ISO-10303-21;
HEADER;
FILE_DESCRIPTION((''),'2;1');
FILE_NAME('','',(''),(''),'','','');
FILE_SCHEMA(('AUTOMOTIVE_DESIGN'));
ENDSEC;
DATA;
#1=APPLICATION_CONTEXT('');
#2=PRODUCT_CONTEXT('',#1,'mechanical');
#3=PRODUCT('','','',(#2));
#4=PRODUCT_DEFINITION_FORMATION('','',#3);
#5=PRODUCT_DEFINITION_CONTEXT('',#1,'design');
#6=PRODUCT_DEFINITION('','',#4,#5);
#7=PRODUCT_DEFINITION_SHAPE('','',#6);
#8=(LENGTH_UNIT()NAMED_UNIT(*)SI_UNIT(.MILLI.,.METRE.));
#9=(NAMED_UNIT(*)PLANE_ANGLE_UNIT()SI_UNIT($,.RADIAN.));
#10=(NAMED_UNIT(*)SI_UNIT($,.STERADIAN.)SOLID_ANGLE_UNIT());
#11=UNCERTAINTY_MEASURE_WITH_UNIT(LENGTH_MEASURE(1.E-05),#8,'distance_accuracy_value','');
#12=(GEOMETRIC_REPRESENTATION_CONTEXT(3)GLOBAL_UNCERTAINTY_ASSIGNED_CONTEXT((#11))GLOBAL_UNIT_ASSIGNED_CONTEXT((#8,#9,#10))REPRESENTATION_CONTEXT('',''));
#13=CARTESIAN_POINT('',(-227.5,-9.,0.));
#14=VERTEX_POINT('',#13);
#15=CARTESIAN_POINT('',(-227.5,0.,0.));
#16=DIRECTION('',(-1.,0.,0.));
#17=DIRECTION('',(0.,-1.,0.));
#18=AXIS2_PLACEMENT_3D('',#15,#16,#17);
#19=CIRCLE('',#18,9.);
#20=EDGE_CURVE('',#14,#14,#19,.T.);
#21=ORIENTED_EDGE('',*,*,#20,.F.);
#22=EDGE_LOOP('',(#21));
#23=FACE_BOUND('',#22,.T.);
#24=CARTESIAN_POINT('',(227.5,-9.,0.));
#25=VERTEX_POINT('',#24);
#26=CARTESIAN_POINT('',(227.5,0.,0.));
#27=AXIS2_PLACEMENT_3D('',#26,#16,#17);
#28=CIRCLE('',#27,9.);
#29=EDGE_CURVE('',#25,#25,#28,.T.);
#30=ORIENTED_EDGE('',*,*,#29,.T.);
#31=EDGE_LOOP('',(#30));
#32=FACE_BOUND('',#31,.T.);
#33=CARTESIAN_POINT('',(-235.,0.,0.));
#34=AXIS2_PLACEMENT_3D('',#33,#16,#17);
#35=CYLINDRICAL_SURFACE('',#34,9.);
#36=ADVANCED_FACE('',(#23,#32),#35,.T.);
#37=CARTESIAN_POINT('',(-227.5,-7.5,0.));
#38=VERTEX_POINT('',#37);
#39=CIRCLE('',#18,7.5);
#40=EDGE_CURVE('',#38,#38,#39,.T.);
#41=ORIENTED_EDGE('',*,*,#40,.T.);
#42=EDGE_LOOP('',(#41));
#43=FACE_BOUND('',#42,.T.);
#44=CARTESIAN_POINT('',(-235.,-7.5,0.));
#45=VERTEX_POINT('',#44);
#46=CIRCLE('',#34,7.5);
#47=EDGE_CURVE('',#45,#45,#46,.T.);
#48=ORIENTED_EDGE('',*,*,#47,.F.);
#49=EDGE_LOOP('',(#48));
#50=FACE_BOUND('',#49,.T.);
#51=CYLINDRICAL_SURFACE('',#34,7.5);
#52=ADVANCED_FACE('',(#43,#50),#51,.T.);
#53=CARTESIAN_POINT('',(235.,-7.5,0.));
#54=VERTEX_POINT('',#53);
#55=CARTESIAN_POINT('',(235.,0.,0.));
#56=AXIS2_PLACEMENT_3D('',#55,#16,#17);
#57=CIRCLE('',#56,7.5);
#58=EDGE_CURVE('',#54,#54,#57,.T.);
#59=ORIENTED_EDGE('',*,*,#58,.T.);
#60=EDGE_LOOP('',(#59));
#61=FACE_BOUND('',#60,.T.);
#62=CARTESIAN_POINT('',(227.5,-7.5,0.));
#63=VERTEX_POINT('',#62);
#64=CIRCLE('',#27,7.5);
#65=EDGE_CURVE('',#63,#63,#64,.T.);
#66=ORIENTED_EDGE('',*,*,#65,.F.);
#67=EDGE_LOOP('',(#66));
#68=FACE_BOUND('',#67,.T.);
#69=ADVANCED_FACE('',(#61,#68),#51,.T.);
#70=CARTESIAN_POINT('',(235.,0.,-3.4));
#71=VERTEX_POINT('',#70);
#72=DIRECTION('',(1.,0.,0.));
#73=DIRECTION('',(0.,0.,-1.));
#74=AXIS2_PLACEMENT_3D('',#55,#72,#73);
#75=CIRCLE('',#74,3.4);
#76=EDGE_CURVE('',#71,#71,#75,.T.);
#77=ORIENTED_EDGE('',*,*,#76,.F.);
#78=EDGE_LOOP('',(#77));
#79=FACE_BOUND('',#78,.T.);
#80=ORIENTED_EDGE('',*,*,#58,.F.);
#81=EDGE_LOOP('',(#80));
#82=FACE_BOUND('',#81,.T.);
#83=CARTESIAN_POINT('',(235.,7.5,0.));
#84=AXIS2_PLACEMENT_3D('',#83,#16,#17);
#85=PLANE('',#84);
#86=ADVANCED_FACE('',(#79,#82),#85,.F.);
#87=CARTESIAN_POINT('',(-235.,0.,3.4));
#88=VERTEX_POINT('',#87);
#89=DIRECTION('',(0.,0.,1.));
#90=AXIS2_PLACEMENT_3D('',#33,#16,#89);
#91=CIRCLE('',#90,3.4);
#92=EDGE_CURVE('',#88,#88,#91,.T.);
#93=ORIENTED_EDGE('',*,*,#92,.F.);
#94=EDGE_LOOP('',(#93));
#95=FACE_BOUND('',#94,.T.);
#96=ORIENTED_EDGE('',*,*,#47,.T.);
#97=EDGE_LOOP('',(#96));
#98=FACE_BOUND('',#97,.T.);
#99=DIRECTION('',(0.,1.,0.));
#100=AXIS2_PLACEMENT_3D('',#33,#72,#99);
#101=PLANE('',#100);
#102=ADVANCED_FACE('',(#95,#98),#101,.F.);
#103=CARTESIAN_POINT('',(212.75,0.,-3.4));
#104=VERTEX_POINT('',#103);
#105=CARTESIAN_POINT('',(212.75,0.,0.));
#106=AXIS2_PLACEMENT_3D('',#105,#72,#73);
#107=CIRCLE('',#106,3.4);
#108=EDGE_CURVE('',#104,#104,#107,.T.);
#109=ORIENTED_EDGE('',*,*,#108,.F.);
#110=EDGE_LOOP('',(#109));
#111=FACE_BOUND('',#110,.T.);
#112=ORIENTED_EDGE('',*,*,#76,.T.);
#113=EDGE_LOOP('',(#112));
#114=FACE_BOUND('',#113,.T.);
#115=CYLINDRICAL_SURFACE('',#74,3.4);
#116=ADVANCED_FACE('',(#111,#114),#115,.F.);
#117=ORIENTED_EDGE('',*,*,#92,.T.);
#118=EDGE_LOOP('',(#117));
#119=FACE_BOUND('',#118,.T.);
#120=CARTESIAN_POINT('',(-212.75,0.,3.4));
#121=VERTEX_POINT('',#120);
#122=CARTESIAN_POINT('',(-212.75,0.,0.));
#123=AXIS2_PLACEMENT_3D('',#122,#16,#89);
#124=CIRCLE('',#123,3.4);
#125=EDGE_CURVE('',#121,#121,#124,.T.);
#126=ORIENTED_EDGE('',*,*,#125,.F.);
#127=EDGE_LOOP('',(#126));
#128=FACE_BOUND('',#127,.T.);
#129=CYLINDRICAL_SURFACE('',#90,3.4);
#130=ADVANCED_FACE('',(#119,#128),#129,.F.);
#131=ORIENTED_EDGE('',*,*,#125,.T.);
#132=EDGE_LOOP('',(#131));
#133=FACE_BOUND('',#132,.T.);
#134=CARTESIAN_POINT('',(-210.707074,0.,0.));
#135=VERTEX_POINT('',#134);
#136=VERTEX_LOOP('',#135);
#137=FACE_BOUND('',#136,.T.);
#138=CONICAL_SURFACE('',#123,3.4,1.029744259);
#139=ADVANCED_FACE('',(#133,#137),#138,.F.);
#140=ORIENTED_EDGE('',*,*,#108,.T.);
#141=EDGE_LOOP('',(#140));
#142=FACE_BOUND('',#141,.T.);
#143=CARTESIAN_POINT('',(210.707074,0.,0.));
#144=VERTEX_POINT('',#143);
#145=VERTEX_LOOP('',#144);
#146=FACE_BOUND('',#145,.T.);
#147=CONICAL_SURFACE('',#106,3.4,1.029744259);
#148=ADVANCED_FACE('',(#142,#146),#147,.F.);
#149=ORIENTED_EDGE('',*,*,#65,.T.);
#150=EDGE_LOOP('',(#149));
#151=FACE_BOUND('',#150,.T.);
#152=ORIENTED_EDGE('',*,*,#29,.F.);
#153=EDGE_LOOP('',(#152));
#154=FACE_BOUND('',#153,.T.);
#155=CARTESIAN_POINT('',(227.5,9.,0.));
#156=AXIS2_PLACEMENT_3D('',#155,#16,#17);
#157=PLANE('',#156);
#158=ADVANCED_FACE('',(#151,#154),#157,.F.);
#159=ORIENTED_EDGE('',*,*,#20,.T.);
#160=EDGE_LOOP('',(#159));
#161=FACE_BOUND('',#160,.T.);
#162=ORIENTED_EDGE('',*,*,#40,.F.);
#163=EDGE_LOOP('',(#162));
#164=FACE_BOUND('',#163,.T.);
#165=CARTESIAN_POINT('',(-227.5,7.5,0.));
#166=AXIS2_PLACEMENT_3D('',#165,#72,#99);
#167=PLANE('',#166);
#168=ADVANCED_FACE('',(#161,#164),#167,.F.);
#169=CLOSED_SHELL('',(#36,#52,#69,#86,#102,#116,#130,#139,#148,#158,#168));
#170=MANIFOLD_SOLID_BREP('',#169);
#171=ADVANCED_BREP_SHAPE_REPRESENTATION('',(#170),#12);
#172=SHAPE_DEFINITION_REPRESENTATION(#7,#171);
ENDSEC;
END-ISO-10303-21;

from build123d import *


with BuildPart() as part:
    # Çizim1 → Döndür2 (revolve)
    with BuildSketch(Plane.XY, mode=Mode.PRIVATE) as d_nd_r2_sk:
        Polygon((-235, 0), (235, 0), (235, 7.5), (227.5, 7.5), (227.5, 9), (-227.5, 9), (-227.5, 7.5), (-235, 7.5), align=None)
    revolve(d_nd_r2_sk.sketch.rotate(Axis((-235, 0, 0), (1, 0, 0)), 180), axis=Axis((-235, 0, 0), (1, 0, 0)))

    # Çizim4 → M8 Dişli Delik3 (revolve, cut)
    with BuildSketch(Plane(origin=(-235, 0, 0), x_dir=(0, 0, 1), z_dir=(0, 1, 0))):
        Polygon((0, 0), (0, 24.292926105), (3.4, 22.25), (3.4, 0), align=None)
    m8_di_li_delik3 = revolve(axis=Axis((-241.35, 0, 0), (1, 0, 0)), mode=Mode.SUBTRACT)

    # Aynalama1: M8 Dişli Delik3 across plane
    add(m8_di_li_delik3.mirror(Plane(origin=(0, 0, 0), x_dir=(0, 0, 1), z_dir=(1, 0, 0))), mode=Mode.SUBTRACT)


solid = part.part
